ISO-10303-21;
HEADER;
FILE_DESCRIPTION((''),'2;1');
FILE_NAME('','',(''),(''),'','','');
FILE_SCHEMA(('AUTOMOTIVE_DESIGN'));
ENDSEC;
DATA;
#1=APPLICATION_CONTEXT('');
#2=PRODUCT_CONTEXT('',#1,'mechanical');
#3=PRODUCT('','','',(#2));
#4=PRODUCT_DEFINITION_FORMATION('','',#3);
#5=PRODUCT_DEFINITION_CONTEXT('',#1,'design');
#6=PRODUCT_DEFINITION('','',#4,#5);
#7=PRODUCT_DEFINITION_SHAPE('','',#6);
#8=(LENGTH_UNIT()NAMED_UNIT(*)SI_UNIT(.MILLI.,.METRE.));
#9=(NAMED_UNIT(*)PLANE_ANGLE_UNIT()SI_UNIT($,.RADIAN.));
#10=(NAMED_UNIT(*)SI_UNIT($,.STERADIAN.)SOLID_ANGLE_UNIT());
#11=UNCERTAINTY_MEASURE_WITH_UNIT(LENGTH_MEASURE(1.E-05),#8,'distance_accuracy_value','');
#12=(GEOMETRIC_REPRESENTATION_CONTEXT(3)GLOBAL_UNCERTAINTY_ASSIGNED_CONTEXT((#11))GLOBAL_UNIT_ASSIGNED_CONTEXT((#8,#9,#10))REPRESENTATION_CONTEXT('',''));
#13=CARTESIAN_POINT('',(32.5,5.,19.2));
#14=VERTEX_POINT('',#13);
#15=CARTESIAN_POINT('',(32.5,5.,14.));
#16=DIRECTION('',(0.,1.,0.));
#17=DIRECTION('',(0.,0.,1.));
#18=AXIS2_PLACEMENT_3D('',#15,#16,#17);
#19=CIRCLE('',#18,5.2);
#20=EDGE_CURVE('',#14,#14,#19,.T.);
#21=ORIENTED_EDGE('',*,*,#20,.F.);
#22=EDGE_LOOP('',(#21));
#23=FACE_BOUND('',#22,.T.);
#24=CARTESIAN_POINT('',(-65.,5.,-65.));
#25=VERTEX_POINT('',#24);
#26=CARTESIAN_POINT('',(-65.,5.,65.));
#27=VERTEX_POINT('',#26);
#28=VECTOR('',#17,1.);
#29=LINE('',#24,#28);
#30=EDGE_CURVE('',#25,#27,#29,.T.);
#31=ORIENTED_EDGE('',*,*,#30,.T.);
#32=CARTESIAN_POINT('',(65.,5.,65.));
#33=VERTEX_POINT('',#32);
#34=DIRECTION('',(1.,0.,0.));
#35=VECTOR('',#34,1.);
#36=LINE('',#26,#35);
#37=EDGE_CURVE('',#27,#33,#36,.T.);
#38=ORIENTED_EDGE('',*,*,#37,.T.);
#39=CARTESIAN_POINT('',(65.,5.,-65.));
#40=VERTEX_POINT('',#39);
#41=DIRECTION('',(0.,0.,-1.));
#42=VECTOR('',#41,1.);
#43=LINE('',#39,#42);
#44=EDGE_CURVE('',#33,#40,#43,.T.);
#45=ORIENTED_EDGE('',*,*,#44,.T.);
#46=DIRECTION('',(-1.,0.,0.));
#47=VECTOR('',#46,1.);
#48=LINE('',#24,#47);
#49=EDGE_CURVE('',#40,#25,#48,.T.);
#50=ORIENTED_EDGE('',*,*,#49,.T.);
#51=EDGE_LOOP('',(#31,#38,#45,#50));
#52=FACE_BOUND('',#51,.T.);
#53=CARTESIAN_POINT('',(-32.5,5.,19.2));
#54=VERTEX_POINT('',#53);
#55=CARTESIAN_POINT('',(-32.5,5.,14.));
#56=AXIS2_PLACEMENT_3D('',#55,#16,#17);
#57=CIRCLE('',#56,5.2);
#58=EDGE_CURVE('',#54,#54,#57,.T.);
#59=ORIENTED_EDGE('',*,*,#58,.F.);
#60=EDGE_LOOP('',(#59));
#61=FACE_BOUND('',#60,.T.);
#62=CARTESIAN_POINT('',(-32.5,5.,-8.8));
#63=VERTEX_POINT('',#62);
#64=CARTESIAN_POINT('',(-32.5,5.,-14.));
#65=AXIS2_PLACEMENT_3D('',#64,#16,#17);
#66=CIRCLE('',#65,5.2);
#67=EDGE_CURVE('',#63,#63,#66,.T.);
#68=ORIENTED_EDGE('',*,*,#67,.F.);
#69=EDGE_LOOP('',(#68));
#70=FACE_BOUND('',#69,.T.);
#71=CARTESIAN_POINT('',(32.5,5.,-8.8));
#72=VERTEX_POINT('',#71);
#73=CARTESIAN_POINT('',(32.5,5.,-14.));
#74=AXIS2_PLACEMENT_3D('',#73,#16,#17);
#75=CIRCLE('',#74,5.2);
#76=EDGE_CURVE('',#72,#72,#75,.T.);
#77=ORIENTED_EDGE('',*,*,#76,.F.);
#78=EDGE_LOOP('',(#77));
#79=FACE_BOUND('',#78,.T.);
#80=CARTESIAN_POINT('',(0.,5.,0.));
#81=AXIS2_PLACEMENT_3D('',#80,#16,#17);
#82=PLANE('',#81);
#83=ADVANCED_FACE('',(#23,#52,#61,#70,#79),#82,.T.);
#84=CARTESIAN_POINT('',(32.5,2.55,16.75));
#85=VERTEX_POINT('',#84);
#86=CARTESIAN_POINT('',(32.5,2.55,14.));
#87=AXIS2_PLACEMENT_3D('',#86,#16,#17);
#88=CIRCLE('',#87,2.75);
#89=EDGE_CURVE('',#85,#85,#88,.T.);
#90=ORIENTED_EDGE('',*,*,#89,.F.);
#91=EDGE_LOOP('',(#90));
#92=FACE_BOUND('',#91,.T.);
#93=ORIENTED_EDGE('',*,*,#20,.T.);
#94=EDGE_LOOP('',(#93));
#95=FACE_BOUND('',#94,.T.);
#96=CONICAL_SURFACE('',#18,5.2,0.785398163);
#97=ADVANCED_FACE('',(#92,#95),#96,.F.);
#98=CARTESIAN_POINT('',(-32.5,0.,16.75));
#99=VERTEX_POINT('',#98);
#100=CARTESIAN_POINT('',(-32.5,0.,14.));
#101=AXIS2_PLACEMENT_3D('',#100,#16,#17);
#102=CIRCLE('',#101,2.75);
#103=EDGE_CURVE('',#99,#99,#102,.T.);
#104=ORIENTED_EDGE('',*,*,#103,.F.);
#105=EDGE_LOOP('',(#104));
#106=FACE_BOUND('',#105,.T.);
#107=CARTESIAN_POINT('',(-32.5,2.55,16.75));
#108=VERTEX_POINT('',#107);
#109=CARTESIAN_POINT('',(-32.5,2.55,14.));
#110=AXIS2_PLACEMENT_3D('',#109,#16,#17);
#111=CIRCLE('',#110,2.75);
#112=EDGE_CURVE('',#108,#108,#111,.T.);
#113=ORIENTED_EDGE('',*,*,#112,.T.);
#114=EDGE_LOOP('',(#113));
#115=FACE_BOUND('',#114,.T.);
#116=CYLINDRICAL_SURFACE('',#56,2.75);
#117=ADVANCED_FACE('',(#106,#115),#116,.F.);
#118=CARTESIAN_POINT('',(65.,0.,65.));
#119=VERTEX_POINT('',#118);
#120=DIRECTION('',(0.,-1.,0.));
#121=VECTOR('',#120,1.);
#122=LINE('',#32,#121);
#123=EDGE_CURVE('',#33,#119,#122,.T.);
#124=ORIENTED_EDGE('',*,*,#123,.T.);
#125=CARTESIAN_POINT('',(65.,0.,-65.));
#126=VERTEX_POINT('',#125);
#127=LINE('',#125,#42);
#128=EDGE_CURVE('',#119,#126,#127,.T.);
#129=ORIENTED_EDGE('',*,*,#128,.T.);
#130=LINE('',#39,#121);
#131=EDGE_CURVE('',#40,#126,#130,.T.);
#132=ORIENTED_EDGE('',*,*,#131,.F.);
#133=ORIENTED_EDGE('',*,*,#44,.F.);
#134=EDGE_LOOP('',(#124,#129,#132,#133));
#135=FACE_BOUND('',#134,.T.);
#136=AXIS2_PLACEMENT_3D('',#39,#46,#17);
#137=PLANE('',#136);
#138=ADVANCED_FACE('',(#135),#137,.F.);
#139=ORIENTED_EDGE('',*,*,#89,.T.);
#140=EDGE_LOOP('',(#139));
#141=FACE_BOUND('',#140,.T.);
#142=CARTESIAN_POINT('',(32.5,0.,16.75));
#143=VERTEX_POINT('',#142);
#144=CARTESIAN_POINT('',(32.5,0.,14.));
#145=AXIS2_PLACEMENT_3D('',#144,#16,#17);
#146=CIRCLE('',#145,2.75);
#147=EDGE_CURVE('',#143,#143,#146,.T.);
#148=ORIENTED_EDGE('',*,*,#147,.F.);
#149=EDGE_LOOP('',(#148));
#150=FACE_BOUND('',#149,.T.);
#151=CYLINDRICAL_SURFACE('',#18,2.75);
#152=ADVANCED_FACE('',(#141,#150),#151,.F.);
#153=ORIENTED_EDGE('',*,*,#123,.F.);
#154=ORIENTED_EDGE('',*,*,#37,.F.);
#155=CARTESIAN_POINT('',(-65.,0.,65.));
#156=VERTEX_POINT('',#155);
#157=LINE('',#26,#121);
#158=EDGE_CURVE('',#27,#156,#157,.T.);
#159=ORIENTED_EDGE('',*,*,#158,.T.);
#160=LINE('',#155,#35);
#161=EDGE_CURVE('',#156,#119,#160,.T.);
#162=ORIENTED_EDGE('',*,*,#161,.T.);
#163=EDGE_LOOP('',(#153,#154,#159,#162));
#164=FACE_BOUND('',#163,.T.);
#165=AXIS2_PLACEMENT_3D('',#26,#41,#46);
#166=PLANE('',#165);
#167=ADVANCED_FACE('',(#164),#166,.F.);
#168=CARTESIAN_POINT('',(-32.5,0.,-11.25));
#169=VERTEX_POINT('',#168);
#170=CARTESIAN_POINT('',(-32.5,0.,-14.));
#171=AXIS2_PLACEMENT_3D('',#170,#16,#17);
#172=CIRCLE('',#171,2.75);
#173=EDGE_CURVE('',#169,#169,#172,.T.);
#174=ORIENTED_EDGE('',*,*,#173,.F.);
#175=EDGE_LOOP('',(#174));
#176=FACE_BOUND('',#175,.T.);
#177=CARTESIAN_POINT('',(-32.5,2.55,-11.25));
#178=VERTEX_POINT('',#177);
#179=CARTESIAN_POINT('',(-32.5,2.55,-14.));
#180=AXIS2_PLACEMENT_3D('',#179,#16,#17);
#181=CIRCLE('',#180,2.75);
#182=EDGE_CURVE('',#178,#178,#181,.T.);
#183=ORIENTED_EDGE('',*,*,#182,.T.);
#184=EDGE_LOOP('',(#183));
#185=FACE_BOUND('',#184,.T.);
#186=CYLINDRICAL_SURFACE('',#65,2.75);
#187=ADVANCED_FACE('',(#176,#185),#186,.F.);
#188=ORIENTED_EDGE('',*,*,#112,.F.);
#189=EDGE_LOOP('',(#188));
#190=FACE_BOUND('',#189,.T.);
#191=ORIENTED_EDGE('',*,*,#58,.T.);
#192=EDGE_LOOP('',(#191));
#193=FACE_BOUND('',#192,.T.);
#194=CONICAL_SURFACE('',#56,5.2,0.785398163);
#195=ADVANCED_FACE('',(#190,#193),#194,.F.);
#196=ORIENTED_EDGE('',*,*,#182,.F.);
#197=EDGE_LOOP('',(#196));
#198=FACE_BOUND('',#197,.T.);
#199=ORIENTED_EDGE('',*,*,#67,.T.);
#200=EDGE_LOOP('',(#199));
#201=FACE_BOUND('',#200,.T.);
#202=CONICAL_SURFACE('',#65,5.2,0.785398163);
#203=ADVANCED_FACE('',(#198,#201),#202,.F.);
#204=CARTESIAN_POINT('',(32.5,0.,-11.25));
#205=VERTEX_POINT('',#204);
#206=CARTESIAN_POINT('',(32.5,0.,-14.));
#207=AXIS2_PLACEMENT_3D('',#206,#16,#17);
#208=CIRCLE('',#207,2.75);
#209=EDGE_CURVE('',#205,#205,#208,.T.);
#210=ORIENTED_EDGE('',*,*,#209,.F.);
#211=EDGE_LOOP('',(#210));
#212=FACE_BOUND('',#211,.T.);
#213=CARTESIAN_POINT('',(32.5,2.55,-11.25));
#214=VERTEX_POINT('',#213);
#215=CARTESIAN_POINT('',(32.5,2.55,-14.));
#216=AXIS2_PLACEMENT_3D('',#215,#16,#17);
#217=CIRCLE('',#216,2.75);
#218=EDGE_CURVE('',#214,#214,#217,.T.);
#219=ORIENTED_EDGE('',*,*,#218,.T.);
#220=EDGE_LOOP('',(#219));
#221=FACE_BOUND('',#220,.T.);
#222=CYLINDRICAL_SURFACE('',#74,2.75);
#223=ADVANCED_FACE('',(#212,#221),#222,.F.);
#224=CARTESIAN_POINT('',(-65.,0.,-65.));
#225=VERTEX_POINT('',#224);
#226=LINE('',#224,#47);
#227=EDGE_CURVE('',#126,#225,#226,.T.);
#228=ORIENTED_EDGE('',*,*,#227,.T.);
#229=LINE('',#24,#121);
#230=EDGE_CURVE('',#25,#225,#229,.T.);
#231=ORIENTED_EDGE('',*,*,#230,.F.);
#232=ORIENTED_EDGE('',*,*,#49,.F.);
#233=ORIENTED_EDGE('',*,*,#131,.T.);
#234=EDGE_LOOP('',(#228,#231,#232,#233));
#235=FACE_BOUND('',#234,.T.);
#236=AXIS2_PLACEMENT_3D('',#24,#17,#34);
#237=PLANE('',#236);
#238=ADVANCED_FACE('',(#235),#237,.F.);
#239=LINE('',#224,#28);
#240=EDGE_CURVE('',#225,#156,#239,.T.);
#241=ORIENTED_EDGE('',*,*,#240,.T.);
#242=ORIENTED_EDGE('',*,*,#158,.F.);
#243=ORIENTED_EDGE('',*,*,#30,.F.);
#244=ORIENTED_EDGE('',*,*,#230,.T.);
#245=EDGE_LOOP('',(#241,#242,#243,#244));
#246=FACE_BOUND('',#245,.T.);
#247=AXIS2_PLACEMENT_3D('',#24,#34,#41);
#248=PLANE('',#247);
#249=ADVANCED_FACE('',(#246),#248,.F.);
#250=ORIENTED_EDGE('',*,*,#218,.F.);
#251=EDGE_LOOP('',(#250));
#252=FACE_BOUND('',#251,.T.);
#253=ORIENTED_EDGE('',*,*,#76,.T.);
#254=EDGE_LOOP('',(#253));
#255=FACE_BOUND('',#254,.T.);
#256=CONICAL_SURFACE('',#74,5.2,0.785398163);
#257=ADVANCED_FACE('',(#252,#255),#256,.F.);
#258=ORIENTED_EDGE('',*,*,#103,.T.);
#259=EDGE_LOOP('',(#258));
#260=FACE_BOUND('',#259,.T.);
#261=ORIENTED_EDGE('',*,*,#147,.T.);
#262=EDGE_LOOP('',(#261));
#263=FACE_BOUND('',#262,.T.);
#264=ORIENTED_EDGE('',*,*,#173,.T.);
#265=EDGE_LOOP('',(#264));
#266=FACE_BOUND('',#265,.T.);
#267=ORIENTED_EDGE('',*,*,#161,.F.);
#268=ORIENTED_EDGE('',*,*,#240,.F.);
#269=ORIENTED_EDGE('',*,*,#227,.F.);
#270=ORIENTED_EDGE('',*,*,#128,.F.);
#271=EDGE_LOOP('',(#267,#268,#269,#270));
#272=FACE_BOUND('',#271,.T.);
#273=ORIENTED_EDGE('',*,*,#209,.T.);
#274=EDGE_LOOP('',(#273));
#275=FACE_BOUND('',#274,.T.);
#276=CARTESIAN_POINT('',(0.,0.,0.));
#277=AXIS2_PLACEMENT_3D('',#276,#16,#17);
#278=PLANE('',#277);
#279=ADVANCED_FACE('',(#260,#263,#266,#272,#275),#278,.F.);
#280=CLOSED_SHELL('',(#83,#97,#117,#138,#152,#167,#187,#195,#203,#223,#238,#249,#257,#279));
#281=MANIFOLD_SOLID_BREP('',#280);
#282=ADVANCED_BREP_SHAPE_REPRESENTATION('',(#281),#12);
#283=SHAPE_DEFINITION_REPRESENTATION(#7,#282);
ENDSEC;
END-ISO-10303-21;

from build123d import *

# Parameters (mm, degrees)
SCHIZZO1_W                            = 130
SCHIZZO1_H                            = 130
ESTRUSIONE_ESTRUSIONE1_DEPTH          = 5
FORO_SVASATO_PER_VITE_M5_1_AT_2_COUNT = 2
FORO_SVASATO_PER_VITE_M5_1_AT_2_PITCH = 65
FORO_SVASATO_PER_VITE_M5_1_AT_3_COUNT = 2
FORO_SVASATO_PER_VITE_M5_1_AT_3_PITCH = 70.774289117
FORO_SVASATO_PER_VITE_M5_1_AT_4_COUNT = 2
FORO_SVASATO_PER_VITE_M5_1_AT_4_PITCH = 28


with BuildPart() as part:
    # Schizzo1 → Estrusione-Estrusione1 (new body)
    with BuildSketch(Plane(origin=(0, 0, 0), x_dir=(1, 0, 0), z_dir=(0, 1, 0))):
        Rectangle(SCHIZZO1_W, SCHIZZO1_H)
    extrude(amount=ESTRUSIONE_ESTRUSIONE1_DEPTH)

    # Schizzo4 → Foro svasato per Vite M5-1 (revolve, cut)
    with BuildSketch(Plane(origin=(-32.5, 5, -14), x_dir=(0, 0, 1), z_dir=(1, 0, 0))):
        Polygon((0, 0), (0, 5), (2.75, 5), (2.75, 2.45), (5.2, 0), align=None)
    foro_svasato_per_vite_m5_1 = revolve(axis=Axis((-32.5, 11.35, -14), (0, -1, 0)), mode=Mode.SUBTRACT)

    # Foro svasato per Vite M5-1 at 2: Foro svasato per Vite M5-1 ×2
    with Locations(*[(i * FORO_SVASATO_PER_VITE_M5_1_AT_2_PITCH, 0, 0) for i in range(1, FORO_SVASATO_PER_VITE_M5_1_AT_2_COUNT)]):
        add(foro_svasato_per_vite_m5_1, mode=Mode.SUBTRACT)

    # Foro svasato per Vite M5-1 at 3: Foro svasato per Vite M5-1 ×2
    with Locations(*[Vector(0.9184126158110061, 0, 0.39562389604166415) * (i * FORO_SVASATO_PER_VITE_M5_1_AT_3_PITCH) for i in range(1, FORO_SVASATO_PER_VITE_M5_1_AT_3_COUNT)]):
        add(foro_svasato_per_vite_m5_1, mode=Mode.SUBTRACT)

    # Foro svasato per Vite M5-1 at 4: Foro svasato per Vite M5-1 ×2
    with Locations(*[(0, 0, i * FORO_SVASATO_PER_VITE_M5_1_AT_4_PITCH) for i in range(1, FORO_SVASATO_PER_VITE_M5_1_AT_4_COUNT)]):
        add(foro_svasato_per_vite_m5_1, mode=Mode.SUBTRACT)


solid = part.part
